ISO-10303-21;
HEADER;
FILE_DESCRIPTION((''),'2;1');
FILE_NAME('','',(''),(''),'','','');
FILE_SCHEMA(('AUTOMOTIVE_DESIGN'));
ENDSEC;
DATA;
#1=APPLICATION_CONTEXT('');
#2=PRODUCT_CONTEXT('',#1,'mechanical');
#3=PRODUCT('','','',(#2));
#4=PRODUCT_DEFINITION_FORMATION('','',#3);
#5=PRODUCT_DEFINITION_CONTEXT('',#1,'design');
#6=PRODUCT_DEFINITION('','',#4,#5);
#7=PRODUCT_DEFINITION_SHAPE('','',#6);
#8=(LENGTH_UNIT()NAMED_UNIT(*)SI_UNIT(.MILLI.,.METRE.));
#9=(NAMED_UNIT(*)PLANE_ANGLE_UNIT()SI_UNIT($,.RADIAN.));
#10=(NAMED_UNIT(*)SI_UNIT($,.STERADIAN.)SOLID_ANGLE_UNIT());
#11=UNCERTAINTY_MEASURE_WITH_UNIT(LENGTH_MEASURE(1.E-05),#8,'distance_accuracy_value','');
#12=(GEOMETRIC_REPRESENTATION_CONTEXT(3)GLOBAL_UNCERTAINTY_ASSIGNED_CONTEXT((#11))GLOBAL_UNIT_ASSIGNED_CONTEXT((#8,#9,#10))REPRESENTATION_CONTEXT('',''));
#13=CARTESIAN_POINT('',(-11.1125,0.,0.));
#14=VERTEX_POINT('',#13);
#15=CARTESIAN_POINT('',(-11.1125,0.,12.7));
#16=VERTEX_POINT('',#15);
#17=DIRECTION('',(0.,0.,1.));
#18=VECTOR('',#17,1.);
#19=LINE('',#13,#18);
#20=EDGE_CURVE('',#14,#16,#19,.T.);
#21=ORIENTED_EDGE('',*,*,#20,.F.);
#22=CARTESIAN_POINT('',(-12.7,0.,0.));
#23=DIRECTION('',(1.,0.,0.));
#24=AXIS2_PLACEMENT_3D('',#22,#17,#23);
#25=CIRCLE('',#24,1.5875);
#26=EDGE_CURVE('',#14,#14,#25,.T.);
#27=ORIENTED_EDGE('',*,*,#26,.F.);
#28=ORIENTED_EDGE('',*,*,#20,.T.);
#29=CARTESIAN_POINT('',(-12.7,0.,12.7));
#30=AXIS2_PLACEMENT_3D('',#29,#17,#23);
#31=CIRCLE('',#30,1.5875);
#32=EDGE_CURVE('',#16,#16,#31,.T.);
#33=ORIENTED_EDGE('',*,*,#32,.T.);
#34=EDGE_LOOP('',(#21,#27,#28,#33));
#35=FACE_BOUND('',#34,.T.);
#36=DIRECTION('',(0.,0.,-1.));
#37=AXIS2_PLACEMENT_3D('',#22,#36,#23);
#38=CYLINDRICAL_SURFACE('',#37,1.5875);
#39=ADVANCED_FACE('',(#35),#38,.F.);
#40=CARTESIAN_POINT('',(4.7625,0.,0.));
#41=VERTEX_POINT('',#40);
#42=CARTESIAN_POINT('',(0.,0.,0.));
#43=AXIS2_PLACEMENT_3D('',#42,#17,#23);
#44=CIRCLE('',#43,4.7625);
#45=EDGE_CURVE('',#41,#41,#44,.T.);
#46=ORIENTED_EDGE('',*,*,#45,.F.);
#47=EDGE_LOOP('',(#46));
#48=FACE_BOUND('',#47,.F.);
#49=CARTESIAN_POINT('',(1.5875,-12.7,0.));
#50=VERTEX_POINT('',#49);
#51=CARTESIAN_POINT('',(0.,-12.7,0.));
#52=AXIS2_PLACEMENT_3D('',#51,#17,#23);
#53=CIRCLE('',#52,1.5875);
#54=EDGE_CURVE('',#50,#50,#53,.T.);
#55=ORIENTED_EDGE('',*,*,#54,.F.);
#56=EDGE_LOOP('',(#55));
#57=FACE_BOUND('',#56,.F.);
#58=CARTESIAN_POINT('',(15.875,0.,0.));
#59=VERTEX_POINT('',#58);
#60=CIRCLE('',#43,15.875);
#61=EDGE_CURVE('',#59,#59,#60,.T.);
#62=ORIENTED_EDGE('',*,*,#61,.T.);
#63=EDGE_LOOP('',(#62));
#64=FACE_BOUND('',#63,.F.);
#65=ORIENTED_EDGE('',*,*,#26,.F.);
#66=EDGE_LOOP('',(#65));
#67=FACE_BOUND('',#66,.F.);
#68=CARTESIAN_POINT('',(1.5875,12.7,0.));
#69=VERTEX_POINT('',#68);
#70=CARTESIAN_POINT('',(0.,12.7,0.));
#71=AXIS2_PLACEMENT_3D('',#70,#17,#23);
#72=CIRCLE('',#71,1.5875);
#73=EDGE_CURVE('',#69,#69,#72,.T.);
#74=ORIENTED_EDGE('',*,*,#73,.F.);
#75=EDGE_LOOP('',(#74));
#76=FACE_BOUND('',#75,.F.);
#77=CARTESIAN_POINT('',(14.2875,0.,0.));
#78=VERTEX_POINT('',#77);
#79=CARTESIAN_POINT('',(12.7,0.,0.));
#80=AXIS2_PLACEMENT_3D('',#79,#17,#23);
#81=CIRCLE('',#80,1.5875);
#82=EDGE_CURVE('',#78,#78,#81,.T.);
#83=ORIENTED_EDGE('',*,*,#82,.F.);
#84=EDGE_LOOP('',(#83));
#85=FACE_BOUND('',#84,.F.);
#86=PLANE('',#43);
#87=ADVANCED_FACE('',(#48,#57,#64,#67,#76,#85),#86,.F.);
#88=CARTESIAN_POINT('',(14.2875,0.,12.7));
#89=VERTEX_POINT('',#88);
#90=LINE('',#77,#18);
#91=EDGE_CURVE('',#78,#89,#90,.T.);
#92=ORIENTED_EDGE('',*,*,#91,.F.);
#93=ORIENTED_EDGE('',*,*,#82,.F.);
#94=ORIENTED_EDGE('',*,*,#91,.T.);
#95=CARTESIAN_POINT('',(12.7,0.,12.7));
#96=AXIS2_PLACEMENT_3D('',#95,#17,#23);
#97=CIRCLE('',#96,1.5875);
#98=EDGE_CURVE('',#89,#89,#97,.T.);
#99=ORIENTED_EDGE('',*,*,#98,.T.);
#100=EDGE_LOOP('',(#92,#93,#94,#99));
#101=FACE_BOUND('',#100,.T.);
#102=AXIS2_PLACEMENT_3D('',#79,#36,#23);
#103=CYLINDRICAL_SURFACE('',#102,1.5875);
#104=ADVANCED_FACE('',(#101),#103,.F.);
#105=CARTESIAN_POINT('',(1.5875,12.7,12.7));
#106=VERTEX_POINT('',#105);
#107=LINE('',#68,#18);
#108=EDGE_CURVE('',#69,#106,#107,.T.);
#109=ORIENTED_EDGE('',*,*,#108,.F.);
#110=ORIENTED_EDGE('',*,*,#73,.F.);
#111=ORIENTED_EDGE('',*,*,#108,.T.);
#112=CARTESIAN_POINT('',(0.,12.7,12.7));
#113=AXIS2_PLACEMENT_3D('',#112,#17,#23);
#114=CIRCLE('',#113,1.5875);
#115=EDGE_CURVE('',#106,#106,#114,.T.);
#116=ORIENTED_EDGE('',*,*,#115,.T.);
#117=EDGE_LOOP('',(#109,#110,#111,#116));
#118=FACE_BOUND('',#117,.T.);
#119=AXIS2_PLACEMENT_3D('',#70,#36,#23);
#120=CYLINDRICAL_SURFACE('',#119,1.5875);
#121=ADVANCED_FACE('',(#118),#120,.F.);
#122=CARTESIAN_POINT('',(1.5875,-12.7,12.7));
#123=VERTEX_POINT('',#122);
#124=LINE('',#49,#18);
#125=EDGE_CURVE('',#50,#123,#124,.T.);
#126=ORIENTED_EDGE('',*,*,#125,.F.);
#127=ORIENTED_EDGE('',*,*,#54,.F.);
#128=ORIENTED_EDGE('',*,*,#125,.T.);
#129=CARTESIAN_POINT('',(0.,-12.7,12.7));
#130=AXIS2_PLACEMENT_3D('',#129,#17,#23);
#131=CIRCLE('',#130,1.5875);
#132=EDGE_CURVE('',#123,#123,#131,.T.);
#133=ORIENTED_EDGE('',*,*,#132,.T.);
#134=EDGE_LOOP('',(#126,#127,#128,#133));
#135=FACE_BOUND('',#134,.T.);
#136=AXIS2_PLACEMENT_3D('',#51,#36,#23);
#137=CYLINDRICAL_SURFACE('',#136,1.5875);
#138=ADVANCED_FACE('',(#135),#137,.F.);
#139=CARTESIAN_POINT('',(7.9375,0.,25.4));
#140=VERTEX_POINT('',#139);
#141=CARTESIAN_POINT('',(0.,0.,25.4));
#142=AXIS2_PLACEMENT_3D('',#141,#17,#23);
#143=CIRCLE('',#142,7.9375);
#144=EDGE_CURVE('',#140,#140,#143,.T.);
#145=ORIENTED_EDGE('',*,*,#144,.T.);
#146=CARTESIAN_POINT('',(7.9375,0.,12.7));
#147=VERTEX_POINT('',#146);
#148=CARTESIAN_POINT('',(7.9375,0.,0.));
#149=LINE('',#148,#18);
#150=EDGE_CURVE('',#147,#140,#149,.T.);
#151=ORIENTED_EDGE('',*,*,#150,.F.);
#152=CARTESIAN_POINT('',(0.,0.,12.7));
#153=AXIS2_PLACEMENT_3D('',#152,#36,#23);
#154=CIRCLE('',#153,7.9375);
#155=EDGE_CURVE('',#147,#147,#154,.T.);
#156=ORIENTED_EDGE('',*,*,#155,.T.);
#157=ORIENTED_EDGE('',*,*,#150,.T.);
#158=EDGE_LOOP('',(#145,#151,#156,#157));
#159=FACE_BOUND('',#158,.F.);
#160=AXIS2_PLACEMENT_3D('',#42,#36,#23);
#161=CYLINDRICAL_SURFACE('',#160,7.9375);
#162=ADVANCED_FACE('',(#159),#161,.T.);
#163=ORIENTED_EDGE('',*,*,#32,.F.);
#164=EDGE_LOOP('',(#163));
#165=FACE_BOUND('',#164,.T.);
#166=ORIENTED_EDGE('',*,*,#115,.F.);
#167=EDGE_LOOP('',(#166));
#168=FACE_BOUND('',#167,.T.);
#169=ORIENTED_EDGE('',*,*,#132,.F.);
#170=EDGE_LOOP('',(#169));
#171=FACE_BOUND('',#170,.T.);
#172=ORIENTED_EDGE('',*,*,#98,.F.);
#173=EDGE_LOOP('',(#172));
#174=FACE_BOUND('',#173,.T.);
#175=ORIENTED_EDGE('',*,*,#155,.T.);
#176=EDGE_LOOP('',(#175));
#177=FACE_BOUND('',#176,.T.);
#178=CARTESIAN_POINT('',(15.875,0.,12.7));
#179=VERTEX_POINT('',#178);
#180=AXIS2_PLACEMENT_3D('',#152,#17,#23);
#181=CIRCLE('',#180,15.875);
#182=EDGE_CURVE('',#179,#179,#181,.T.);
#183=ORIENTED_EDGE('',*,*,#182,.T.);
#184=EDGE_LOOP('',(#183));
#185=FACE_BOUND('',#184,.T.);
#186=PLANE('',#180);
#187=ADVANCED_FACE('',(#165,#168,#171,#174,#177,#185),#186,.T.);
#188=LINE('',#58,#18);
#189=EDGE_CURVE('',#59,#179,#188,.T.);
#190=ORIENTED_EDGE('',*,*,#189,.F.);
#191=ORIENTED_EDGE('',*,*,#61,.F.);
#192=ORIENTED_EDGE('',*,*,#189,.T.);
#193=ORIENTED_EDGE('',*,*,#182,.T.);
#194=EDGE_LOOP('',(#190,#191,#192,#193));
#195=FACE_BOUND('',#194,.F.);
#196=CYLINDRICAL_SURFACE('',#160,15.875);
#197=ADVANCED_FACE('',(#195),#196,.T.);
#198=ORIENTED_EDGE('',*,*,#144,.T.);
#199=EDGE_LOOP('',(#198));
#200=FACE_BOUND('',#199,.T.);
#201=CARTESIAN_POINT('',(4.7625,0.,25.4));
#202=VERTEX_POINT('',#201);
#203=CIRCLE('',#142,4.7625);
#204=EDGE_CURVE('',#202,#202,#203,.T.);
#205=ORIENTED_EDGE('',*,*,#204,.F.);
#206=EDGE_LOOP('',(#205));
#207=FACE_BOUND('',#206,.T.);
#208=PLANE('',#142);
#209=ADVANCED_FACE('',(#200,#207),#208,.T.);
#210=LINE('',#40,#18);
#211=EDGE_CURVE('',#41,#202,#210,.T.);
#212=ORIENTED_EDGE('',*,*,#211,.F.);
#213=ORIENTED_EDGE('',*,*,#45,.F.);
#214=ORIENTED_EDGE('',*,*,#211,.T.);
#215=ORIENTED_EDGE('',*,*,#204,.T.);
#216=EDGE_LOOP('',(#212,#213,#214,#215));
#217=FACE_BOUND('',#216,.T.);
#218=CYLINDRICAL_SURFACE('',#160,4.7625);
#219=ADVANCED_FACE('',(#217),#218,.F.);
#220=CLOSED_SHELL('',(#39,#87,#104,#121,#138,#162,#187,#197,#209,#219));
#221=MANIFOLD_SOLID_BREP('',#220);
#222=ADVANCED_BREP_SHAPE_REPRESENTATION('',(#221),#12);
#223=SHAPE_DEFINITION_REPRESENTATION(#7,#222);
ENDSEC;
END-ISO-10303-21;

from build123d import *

# Parameters (mm, degrees)
F0_R     = 15.875
F1_DEPTH = 12.7
F2_R     = 7.9375
F3_DEPTH = 25.4
F4_R     = 4.7625
F5_DEPTH = 25.4
F6_R     = 1.5875
F7_DEPTH = 12.7


with BuildPart() as f1:
    # F0 (on Top) → F1 (new body)
    with BuildSketch(Plane.XY):
        Circle(F0_R)
    extrude(amount=F1_DEPTH)

    # F2 (on Top) → F3 (join)
    with BuildSketch(Plane.XY):
        Circle(F2_R)
    extrude(amount=F3_DEPTH)

    # F4 (on Top) → F5 (cut)
    with BuildSketch(Plane.XY):
        Circle(F4_R)
    extrude(amount=F5_DEPTH, mode=Mode.SUBTRACT)

    # F6 (on Top) → F7 (cut)
    with BuildSketch(Plane.XY):
        with Locations((0, 12.7)):
            Circle(F6_R)
        with Locations((12.7, 0)):
            Circle(F6_R)
        with Locations((-12.7, 0)):
            Circle(F6_R)
        with Locations((0, -12.7)):
            Circle(F6_R)
    extrude(amount=F7_DEPTH, mode=Mode.SUBTRACT)


solid = f1.part
